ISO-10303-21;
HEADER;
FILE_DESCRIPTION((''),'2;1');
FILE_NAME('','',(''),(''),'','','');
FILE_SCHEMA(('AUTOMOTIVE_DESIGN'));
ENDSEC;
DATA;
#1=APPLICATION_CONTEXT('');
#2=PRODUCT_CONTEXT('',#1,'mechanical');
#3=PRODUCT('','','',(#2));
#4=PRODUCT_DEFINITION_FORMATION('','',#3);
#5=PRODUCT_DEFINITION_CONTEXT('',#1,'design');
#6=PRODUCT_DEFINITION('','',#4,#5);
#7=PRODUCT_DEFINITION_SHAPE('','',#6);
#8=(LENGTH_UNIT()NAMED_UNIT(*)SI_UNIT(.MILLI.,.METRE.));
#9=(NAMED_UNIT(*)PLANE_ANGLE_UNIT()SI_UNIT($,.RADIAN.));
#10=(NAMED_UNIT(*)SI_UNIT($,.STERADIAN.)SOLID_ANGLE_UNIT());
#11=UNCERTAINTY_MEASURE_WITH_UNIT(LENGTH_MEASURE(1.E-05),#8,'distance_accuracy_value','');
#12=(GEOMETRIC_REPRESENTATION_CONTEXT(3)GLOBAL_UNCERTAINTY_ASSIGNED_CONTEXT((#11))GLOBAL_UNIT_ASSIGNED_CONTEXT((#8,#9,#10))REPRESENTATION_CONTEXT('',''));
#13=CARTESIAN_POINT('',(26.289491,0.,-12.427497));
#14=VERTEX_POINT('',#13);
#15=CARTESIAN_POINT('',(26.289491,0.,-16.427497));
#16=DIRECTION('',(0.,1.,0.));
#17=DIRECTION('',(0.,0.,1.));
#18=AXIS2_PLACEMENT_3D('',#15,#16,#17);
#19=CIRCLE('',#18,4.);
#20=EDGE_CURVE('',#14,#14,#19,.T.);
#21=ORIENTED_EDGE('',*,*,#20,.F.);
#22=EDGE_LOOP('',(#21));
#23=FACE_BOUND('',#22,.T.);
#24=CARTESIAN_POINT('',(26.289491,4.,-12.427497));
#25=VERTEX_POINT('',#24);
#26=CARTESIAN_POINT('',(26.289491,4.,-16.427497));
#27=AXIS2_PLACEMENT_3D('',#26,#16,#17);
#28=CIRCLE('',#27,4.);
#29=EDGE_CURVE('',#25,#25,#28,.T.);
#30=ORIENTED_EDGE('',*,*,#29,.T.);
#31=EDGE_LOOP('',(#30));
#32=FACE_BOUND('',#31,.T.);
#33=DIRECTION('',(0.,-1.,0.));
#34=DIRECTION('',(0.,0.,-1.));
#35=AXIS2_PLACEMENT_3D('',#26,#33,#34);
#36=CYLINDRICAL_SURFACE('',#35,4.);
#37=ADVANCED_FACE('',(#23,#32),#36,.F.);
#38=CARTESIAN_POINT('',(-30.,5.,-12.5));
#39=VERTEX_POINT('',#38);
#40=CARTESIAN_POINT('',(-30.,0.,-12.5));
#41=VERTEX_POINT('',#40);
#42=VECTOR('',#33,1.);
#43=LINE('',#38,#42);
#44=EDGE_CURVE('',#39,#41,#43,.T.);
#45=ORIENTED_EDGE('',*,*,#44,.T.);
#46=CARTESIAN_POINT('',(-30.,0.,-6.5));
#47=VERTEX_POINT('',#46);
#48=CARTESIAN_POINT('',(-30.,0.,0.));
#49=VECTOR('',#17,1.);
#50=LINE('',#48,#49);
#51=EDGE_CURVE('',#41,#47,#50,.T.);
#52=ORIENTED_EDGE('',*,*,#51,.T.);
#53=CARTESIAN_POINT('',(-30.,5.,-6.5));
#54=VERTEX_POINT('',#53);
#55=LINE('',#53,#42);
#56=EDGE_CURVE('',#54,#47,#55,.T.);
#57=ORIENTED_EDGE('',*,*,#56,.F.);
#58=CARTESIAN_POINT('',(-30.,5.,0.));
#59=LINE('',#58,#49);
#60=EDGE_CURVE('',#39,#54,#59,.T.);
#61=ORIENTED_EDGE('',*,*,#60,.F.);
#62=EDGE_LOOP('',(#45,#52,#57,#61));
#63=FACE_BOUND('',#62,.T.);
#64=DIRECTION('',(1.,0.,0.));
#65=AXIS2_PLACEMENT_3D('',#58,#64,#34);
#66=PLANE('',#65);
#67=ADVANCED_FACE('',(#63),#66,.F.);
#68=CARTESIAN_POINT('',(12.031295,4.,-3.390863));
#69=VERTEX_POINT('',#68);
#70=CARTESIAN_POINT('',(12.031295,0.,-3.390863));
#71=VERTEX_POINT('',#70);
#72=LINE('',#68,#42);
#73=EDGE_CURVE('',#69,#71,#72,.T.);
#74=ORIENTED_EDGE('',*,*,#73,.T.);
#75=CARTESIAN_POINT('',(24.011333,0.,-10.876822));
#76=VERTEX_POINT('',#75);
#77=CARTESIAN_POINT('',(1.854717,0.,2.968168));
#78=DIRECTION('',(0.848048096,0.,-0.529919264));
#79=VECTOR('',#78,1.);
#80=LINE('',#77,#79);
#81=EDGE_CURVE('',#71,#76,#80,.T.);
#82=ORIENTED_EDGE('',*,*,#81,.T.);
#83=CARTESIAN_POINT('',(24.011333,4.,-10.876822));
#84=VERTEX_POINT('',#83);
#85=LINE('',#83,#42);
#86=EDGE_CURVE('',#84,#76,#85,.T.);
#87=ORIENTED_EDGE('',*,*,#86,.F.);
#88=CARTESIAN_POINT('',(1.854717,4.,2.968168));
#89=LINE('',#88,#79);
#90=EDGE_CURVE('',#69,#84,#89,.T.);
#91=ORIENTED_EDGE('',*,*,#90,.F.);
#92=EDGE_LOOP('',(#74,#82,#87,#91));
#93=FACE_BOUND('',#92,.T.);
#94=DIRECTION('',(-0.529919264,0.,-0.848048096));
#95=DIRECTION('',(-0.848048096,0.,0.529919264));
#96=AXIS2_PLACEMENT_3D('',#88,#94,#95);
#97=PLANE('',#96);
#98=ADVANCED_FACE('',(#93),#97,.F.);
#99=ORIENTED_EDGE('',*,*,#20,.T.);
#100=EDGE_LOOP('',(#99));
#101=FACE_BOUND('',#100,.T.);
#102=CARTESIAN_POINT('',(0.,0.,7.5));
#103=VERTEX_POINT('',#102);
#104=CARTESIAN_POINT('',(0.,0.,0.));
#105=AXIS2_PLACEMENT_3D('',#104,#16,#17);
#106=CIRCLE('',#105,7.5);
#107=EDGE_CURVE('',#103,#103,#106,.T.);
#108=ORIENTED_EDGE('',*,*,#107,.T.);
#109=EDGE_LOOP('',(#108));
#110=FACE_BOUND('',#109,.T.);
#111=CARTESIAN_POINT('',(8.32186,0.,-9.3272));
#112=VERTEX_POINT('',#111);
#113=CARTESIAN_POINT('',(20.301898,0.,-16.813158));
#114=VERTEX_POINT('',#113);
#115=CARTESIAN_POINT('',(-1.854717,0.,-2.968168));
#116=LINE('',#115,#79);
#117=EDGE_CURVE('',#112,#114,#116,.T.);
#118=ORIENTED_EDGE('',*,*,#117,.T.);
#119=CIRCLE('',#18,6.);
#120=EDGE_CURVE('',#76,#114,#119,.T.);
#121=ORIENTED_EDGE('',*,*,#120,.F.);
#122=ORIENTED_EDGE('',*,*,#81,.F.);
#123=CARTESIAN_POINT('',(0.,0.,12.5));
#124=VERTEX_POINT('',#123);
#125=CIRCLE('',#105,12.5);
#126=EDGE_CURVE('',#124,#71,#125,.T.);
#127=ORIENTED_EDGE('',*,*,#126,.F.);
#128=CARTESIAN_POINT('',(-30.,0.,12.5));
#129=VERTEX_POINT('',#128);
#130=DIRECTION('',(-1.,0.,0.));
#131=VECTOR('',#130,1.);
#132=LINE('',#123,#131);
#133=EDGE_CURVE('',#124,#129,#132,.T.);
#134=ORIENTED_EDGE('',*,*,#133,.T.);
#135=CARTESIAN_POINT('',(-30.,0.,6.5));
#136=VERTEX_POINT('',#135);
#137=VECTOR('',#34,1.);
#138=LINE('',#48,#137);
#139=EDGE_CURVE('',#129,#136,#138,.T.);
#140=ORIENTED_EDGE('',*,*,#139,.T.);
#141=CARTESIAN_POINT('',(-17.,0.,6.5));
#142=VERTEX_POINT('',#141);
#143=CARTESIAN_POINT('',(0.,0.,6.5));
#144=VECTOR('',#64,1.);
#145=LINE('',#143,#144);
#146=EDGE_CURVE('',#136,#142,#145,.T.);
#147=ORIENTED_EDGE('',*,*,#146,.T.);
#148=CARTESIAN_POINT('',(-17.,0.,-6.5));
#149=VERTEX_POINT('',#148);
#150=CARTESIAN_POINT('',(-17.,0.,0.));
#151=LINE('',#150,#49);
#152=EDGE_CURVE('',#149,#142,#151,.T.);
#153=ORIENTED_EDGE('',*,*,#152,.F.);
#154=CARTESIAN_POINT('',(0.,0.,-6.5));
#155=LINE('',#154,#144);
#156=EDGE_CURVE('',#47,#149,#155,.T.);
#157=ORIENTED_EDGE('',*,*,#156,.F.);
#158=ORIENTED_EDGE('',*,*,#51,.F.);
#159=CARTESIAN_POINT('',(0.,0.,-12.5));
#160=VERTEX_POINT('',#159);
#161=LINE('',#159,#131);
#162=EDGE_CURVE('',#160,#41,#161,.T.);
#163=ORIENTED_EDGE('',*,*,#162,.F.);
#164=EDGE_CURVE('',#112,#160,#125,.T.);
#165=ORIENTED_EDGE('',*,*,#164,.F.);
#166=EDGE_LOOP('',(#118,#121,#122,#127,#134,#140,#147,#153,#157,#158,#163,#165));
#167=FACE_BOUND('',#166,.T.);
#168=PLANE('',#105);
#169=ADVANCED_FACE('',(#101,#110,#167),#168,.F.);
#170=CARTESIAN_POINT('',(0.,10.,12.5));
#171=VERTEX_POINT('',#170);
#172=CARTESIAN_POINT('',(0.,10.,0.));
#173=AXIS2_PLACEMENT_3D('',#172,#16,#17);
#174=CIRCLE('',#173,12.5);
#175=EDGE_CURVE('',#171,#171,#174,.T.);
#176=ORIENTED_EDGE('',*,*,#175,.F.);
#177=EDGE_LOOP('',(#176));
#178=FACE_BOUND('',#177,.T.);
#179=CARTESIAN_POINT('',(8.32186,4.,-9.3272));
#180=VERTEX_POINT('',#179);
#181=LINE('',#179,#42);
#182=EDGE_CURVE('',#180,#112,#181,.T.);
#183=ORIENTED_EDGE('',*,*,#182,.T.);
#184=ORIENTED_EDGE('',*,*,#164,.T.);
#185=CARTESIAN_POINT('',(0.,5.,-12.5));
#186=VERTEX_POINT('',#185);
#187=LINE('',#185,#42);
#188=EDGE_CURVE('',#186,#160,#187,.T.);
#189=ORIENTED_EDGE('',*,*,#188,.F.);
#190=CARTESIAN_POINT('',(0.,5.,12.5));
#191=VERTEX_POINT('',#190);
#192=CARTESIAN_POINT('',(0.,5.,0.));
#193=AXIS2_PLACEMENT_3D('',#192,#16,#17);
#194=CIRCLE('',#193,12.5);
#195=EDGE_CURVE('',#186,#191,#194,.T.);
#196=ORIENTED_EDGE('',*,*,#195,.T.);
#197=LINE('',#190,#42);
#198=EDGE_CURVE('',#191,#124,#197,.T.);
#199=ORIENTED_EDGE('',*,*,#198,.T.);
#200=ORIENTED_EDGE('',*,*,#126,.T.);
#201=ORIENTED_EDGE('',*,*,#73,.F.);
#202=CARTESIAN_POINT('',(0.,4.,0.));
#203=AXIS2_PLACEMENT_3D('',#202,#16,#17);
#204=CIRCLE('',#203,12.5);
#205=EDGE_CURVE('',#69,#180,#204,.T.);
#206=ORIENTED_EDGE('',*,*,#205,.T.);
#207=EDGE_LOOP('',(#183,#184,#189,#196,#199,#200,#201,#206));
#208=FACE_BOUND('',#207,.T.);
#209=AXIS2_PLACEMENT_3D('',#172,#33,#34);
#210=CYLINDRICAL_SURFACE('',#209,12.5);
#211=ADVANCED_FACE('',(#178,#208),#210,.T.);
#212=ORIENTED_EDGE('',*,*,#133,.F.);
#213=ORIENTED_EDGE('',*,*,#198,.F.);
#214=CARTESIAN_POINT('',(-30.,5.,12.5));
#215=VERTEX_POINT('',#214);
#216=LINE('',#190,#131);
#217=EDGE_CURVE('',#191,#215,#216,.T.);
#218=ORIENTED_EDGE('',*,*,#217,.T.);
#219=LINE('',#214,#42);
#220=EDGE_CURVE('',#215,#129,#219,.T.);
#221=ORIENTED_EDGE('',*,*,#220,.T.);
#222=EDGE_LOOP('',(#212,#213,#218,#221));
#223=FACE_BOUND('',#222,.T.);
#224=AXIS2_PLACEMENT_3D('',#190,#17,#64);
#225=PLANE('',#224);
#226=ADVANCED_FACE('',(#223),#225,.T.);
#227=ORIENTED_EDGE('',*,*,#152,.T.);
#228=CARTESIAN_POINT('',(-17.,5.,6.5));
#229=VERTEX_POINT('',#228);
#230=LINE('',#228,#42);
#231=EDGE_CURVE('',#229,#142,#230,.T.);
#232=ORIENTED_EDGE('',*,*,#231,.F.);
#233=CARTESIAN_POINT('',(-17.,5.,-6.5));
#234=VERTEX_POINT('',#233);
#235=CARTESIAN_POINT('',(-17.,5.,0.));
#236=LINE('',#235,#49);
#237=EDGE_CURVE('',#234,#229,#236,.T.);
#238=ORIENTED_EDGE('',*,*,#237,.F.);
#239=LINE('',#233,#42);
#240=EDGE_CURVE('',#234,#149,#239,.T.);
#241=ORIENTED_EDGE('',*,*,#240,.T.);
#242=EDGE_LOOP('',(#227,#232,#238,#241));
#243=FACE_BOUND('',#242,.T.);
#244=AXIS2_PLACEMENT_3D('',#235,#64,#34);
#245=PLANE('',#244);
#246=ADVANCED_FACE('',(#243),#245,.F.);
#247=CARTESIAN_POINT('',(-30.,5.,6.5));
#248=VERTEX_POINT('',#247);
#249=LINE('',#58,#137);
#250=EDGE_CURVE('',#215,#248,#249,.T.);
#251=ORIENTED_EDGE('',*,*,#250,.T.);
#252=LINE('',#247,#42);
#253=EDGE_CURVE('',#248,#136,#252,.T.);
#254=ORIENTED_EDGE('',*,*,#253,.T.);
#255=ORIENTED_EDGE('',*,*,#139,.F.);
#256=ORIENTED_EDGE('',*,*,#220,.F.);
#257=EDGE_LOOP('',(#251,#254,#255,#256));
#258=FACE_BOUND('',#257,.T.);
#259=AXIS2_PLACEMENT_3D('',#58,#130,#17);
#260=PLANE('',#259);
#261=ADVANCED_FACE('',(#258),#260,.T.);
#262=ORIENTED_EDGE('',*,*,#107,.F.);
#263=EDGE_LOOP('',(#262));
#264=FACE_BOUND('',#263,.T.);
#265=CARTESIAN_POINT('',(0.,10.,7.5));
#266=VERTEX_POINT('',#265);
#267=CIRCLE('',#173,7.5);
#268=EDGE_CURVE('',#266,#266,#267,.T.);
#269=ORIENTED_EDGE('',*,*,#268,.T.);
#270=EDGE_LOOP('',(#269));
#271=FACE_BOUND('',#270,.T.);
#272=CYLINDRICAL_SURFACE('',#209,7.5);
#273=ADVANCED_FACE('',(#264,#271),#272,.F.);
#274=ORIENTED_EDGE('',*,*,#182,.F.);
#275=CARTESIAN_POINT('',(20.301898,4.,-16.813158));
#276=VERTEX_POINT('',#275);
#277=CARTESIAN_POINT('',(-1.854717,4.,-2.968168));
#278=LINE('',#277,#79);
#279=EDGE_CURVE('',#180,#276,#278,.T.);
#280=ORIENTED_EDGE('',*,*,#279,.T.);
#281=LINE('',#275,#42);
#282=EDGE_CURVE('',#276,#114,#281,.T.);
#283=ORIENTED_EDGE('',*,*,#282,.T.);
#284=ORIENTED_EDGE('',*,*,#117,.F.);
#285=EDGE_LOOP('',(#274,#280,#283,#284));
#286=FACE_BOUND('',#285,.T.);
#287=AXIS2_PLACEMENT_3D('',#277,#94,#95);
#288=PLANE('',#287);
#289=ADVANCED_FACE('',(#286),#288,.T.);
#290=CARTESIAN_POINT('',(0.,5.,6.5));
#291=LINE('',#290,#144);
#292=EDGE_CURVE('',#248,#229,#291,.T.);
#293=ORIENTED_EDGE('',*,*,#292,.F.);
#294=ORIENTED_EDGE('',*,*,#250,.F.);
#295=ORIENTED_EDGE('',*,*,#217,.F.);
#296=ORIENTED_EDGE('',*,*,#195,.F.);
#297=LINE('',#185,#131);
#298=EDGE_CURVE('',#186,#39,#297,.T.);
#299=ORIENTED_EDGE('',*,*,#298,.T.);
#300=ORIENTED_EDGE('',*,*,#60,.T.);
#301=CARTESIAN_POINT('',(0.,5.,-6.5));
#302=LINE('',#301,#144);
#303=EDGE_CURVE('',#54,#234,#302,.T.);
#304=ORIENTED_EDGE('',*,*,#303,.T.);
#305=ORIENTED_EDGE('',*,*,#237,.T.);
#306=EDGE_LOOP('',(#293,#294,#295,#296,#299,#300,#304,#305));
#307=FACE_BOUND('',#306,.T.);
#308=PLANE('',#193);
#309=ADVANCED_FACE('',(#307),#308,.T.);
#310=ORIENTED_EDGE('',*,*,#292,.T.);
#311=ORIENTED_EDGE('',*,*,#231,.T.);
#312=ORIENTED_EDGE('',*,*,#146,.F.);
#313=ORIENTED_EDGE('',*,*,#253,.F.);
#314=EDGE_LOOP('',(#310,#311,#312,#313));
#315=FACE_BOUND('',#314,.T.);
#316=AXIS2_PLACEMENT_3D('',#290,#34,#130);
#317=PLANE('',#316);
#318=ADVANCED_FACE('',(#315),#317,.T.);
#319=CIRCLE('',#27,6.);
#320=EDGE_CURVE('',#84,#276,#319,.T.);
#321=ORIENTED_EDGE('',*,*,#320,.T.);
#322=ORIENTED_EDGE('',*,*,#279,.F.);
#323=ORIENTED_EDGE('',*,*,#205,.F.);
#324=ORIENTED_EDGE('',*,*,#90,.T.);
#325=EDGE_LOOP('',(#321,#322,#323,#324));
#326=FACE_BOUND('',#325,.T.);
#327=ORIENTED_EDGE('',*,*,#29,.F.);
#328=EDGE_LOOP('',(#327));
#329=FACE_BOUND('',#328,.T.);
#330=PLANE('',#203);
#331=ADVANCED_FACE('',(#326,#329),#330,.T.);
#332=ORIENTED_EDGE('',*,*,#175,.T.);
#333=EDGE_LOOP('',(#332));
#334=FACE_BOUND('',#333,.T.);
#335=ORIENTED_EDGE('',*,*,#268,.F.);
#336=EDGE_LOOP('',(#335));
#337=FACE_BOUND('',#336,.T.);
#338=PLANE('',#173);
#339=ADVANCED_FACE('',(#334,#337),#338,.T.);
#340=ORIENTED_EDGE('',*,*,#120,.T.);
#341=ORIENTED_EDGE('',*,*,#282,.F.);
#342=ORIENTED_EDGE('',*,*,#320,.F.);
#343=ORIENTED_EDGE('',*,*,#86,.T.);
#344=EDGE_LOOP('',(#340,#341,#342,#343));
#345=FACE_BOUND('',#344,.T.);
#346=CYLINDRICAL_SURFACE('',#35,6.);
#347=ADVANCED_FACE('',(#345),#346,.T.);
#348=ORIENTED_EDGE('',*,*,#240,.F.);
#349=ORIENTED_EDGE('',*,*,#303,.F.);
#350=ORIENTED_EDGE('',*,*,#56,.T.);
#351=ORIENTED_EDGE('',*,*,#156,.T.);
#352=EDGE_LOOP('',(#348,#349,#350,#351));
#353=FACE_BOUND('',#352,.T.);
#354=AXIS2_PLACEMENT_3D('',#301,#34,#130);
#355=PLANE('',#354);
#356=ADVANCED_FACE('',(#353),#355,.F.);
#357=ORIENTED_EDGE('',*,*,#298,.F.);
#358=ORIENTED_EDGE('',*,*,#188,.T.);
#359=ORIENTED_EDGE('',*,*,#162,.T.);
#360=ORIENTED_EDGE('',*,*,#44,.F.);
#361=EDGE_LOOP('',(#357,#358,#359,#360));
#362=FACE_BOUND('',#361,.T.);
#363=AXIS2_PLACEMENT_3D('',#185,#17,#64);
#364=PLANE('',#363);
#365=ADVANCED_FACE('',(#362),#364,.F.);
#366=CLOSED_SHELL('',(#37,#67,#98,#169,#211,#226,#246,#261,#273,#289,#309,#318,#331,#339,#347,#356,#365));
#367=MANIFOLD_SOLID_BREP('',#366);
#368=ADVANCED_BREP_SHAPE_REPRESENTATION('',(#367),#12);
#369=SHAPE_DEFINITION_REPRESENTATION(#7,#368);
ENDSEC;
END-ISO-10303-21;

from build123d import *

# Parameters (mm, degrees)
SKETCH_1_R      = 7.5
EXTRUDE_1_DEPTH = 10
EXTRUDE_3_DEPTH = 5
SKETCH_1_5_R    = 4
EXTRUDE_4_DEPTH = 4


with BuildPart() as part:
    # 草图1 → 凸台-拉伸1 (new body)
    with BuildSketch(Plane(origin=(0, 0, 0), x_dir=(1, 0, 0), z_dir=(0, 1, 0))):
        with BuildLine():
            ThreePointArc((12.031294579, 3.390862834), (10.600601202, 6.623990803), (8.321859729, 9.327199507))
            ThreePointArc((8.321859729, 9.327199507), (4.453089161, 11.679897128), (0, 12.5))
            ThreePointArc((0, 12.5), (-12.5, 0), (0, -12.5))
            ThreePointArc((0, -12.5), (8.838834765, -8.838834765), (12.5, 0))
            ThreePointArc((12.5, 0), (12.382269223, 1.711551601), (12.031294579, 3.390862834))
        make_face()
        Circle(SKETCH_1_R, mode=Mode.SUBTRACT)
    extrude(amount=EXTRUDE_1_DEPTH)

    # 草图1<4> → 凸台-拉伸3 (add)
    with BuildSketch(Plane(origin=(0, 0, 0), x_dir=(1, 0, 0), z_dir=(0, 1, 0))):
        with BuildLine():
            ThreePointArc((0, -12.5), (-12.5, 0), (0, 12.5))
            Line((0, 12.5), (-30, 12.5))
            Line((-30, 12.5), (-30, 6.5))
            Line((-30, 6.5), (-17, 6.5))
            Line((-17, 6.5), (-17, -6.5))
            Line((-17, -6.5), (-30, -6.5))
            Line((-30, -6.5), (-30, -12.5))
            Line((-30, -12.5), (0, -12.5))
        make_face()
    extrude(amount=EXTRUDE_3_DEPTH)

    # 草图1<5> → 凸台-拉伸4 (add)
    with BuildSketch(Plane(origin=(0, 0, 0), x_dir=(1, 0, 0), z_dir=(0, 1, 0))):
        with BuildLine():
            Line((20.301898362, 16.813158484), (8.321859729, 9.327199507))
            ThreePointArc((8.321859729, 9.327199507), (10.600601202, 6.623990803), (12.031294579, 3.390862834))
            Line((12.031294579, 3.390862834), (24.011333212, 10.876821811))
            ThreePointArc((24.011333212, 10.876821811), (31.377779558, 19.607012777), (20.301898362, 16.813158484))
        make_face()
        with Locations((26.289490981, 16.427497191)):
            Circle(SKETCH_1_5_R, mode=Mode.SUBTRACT)
    extrude(amount=EXTRUDE_4_DEPTH)


solid = part.part
